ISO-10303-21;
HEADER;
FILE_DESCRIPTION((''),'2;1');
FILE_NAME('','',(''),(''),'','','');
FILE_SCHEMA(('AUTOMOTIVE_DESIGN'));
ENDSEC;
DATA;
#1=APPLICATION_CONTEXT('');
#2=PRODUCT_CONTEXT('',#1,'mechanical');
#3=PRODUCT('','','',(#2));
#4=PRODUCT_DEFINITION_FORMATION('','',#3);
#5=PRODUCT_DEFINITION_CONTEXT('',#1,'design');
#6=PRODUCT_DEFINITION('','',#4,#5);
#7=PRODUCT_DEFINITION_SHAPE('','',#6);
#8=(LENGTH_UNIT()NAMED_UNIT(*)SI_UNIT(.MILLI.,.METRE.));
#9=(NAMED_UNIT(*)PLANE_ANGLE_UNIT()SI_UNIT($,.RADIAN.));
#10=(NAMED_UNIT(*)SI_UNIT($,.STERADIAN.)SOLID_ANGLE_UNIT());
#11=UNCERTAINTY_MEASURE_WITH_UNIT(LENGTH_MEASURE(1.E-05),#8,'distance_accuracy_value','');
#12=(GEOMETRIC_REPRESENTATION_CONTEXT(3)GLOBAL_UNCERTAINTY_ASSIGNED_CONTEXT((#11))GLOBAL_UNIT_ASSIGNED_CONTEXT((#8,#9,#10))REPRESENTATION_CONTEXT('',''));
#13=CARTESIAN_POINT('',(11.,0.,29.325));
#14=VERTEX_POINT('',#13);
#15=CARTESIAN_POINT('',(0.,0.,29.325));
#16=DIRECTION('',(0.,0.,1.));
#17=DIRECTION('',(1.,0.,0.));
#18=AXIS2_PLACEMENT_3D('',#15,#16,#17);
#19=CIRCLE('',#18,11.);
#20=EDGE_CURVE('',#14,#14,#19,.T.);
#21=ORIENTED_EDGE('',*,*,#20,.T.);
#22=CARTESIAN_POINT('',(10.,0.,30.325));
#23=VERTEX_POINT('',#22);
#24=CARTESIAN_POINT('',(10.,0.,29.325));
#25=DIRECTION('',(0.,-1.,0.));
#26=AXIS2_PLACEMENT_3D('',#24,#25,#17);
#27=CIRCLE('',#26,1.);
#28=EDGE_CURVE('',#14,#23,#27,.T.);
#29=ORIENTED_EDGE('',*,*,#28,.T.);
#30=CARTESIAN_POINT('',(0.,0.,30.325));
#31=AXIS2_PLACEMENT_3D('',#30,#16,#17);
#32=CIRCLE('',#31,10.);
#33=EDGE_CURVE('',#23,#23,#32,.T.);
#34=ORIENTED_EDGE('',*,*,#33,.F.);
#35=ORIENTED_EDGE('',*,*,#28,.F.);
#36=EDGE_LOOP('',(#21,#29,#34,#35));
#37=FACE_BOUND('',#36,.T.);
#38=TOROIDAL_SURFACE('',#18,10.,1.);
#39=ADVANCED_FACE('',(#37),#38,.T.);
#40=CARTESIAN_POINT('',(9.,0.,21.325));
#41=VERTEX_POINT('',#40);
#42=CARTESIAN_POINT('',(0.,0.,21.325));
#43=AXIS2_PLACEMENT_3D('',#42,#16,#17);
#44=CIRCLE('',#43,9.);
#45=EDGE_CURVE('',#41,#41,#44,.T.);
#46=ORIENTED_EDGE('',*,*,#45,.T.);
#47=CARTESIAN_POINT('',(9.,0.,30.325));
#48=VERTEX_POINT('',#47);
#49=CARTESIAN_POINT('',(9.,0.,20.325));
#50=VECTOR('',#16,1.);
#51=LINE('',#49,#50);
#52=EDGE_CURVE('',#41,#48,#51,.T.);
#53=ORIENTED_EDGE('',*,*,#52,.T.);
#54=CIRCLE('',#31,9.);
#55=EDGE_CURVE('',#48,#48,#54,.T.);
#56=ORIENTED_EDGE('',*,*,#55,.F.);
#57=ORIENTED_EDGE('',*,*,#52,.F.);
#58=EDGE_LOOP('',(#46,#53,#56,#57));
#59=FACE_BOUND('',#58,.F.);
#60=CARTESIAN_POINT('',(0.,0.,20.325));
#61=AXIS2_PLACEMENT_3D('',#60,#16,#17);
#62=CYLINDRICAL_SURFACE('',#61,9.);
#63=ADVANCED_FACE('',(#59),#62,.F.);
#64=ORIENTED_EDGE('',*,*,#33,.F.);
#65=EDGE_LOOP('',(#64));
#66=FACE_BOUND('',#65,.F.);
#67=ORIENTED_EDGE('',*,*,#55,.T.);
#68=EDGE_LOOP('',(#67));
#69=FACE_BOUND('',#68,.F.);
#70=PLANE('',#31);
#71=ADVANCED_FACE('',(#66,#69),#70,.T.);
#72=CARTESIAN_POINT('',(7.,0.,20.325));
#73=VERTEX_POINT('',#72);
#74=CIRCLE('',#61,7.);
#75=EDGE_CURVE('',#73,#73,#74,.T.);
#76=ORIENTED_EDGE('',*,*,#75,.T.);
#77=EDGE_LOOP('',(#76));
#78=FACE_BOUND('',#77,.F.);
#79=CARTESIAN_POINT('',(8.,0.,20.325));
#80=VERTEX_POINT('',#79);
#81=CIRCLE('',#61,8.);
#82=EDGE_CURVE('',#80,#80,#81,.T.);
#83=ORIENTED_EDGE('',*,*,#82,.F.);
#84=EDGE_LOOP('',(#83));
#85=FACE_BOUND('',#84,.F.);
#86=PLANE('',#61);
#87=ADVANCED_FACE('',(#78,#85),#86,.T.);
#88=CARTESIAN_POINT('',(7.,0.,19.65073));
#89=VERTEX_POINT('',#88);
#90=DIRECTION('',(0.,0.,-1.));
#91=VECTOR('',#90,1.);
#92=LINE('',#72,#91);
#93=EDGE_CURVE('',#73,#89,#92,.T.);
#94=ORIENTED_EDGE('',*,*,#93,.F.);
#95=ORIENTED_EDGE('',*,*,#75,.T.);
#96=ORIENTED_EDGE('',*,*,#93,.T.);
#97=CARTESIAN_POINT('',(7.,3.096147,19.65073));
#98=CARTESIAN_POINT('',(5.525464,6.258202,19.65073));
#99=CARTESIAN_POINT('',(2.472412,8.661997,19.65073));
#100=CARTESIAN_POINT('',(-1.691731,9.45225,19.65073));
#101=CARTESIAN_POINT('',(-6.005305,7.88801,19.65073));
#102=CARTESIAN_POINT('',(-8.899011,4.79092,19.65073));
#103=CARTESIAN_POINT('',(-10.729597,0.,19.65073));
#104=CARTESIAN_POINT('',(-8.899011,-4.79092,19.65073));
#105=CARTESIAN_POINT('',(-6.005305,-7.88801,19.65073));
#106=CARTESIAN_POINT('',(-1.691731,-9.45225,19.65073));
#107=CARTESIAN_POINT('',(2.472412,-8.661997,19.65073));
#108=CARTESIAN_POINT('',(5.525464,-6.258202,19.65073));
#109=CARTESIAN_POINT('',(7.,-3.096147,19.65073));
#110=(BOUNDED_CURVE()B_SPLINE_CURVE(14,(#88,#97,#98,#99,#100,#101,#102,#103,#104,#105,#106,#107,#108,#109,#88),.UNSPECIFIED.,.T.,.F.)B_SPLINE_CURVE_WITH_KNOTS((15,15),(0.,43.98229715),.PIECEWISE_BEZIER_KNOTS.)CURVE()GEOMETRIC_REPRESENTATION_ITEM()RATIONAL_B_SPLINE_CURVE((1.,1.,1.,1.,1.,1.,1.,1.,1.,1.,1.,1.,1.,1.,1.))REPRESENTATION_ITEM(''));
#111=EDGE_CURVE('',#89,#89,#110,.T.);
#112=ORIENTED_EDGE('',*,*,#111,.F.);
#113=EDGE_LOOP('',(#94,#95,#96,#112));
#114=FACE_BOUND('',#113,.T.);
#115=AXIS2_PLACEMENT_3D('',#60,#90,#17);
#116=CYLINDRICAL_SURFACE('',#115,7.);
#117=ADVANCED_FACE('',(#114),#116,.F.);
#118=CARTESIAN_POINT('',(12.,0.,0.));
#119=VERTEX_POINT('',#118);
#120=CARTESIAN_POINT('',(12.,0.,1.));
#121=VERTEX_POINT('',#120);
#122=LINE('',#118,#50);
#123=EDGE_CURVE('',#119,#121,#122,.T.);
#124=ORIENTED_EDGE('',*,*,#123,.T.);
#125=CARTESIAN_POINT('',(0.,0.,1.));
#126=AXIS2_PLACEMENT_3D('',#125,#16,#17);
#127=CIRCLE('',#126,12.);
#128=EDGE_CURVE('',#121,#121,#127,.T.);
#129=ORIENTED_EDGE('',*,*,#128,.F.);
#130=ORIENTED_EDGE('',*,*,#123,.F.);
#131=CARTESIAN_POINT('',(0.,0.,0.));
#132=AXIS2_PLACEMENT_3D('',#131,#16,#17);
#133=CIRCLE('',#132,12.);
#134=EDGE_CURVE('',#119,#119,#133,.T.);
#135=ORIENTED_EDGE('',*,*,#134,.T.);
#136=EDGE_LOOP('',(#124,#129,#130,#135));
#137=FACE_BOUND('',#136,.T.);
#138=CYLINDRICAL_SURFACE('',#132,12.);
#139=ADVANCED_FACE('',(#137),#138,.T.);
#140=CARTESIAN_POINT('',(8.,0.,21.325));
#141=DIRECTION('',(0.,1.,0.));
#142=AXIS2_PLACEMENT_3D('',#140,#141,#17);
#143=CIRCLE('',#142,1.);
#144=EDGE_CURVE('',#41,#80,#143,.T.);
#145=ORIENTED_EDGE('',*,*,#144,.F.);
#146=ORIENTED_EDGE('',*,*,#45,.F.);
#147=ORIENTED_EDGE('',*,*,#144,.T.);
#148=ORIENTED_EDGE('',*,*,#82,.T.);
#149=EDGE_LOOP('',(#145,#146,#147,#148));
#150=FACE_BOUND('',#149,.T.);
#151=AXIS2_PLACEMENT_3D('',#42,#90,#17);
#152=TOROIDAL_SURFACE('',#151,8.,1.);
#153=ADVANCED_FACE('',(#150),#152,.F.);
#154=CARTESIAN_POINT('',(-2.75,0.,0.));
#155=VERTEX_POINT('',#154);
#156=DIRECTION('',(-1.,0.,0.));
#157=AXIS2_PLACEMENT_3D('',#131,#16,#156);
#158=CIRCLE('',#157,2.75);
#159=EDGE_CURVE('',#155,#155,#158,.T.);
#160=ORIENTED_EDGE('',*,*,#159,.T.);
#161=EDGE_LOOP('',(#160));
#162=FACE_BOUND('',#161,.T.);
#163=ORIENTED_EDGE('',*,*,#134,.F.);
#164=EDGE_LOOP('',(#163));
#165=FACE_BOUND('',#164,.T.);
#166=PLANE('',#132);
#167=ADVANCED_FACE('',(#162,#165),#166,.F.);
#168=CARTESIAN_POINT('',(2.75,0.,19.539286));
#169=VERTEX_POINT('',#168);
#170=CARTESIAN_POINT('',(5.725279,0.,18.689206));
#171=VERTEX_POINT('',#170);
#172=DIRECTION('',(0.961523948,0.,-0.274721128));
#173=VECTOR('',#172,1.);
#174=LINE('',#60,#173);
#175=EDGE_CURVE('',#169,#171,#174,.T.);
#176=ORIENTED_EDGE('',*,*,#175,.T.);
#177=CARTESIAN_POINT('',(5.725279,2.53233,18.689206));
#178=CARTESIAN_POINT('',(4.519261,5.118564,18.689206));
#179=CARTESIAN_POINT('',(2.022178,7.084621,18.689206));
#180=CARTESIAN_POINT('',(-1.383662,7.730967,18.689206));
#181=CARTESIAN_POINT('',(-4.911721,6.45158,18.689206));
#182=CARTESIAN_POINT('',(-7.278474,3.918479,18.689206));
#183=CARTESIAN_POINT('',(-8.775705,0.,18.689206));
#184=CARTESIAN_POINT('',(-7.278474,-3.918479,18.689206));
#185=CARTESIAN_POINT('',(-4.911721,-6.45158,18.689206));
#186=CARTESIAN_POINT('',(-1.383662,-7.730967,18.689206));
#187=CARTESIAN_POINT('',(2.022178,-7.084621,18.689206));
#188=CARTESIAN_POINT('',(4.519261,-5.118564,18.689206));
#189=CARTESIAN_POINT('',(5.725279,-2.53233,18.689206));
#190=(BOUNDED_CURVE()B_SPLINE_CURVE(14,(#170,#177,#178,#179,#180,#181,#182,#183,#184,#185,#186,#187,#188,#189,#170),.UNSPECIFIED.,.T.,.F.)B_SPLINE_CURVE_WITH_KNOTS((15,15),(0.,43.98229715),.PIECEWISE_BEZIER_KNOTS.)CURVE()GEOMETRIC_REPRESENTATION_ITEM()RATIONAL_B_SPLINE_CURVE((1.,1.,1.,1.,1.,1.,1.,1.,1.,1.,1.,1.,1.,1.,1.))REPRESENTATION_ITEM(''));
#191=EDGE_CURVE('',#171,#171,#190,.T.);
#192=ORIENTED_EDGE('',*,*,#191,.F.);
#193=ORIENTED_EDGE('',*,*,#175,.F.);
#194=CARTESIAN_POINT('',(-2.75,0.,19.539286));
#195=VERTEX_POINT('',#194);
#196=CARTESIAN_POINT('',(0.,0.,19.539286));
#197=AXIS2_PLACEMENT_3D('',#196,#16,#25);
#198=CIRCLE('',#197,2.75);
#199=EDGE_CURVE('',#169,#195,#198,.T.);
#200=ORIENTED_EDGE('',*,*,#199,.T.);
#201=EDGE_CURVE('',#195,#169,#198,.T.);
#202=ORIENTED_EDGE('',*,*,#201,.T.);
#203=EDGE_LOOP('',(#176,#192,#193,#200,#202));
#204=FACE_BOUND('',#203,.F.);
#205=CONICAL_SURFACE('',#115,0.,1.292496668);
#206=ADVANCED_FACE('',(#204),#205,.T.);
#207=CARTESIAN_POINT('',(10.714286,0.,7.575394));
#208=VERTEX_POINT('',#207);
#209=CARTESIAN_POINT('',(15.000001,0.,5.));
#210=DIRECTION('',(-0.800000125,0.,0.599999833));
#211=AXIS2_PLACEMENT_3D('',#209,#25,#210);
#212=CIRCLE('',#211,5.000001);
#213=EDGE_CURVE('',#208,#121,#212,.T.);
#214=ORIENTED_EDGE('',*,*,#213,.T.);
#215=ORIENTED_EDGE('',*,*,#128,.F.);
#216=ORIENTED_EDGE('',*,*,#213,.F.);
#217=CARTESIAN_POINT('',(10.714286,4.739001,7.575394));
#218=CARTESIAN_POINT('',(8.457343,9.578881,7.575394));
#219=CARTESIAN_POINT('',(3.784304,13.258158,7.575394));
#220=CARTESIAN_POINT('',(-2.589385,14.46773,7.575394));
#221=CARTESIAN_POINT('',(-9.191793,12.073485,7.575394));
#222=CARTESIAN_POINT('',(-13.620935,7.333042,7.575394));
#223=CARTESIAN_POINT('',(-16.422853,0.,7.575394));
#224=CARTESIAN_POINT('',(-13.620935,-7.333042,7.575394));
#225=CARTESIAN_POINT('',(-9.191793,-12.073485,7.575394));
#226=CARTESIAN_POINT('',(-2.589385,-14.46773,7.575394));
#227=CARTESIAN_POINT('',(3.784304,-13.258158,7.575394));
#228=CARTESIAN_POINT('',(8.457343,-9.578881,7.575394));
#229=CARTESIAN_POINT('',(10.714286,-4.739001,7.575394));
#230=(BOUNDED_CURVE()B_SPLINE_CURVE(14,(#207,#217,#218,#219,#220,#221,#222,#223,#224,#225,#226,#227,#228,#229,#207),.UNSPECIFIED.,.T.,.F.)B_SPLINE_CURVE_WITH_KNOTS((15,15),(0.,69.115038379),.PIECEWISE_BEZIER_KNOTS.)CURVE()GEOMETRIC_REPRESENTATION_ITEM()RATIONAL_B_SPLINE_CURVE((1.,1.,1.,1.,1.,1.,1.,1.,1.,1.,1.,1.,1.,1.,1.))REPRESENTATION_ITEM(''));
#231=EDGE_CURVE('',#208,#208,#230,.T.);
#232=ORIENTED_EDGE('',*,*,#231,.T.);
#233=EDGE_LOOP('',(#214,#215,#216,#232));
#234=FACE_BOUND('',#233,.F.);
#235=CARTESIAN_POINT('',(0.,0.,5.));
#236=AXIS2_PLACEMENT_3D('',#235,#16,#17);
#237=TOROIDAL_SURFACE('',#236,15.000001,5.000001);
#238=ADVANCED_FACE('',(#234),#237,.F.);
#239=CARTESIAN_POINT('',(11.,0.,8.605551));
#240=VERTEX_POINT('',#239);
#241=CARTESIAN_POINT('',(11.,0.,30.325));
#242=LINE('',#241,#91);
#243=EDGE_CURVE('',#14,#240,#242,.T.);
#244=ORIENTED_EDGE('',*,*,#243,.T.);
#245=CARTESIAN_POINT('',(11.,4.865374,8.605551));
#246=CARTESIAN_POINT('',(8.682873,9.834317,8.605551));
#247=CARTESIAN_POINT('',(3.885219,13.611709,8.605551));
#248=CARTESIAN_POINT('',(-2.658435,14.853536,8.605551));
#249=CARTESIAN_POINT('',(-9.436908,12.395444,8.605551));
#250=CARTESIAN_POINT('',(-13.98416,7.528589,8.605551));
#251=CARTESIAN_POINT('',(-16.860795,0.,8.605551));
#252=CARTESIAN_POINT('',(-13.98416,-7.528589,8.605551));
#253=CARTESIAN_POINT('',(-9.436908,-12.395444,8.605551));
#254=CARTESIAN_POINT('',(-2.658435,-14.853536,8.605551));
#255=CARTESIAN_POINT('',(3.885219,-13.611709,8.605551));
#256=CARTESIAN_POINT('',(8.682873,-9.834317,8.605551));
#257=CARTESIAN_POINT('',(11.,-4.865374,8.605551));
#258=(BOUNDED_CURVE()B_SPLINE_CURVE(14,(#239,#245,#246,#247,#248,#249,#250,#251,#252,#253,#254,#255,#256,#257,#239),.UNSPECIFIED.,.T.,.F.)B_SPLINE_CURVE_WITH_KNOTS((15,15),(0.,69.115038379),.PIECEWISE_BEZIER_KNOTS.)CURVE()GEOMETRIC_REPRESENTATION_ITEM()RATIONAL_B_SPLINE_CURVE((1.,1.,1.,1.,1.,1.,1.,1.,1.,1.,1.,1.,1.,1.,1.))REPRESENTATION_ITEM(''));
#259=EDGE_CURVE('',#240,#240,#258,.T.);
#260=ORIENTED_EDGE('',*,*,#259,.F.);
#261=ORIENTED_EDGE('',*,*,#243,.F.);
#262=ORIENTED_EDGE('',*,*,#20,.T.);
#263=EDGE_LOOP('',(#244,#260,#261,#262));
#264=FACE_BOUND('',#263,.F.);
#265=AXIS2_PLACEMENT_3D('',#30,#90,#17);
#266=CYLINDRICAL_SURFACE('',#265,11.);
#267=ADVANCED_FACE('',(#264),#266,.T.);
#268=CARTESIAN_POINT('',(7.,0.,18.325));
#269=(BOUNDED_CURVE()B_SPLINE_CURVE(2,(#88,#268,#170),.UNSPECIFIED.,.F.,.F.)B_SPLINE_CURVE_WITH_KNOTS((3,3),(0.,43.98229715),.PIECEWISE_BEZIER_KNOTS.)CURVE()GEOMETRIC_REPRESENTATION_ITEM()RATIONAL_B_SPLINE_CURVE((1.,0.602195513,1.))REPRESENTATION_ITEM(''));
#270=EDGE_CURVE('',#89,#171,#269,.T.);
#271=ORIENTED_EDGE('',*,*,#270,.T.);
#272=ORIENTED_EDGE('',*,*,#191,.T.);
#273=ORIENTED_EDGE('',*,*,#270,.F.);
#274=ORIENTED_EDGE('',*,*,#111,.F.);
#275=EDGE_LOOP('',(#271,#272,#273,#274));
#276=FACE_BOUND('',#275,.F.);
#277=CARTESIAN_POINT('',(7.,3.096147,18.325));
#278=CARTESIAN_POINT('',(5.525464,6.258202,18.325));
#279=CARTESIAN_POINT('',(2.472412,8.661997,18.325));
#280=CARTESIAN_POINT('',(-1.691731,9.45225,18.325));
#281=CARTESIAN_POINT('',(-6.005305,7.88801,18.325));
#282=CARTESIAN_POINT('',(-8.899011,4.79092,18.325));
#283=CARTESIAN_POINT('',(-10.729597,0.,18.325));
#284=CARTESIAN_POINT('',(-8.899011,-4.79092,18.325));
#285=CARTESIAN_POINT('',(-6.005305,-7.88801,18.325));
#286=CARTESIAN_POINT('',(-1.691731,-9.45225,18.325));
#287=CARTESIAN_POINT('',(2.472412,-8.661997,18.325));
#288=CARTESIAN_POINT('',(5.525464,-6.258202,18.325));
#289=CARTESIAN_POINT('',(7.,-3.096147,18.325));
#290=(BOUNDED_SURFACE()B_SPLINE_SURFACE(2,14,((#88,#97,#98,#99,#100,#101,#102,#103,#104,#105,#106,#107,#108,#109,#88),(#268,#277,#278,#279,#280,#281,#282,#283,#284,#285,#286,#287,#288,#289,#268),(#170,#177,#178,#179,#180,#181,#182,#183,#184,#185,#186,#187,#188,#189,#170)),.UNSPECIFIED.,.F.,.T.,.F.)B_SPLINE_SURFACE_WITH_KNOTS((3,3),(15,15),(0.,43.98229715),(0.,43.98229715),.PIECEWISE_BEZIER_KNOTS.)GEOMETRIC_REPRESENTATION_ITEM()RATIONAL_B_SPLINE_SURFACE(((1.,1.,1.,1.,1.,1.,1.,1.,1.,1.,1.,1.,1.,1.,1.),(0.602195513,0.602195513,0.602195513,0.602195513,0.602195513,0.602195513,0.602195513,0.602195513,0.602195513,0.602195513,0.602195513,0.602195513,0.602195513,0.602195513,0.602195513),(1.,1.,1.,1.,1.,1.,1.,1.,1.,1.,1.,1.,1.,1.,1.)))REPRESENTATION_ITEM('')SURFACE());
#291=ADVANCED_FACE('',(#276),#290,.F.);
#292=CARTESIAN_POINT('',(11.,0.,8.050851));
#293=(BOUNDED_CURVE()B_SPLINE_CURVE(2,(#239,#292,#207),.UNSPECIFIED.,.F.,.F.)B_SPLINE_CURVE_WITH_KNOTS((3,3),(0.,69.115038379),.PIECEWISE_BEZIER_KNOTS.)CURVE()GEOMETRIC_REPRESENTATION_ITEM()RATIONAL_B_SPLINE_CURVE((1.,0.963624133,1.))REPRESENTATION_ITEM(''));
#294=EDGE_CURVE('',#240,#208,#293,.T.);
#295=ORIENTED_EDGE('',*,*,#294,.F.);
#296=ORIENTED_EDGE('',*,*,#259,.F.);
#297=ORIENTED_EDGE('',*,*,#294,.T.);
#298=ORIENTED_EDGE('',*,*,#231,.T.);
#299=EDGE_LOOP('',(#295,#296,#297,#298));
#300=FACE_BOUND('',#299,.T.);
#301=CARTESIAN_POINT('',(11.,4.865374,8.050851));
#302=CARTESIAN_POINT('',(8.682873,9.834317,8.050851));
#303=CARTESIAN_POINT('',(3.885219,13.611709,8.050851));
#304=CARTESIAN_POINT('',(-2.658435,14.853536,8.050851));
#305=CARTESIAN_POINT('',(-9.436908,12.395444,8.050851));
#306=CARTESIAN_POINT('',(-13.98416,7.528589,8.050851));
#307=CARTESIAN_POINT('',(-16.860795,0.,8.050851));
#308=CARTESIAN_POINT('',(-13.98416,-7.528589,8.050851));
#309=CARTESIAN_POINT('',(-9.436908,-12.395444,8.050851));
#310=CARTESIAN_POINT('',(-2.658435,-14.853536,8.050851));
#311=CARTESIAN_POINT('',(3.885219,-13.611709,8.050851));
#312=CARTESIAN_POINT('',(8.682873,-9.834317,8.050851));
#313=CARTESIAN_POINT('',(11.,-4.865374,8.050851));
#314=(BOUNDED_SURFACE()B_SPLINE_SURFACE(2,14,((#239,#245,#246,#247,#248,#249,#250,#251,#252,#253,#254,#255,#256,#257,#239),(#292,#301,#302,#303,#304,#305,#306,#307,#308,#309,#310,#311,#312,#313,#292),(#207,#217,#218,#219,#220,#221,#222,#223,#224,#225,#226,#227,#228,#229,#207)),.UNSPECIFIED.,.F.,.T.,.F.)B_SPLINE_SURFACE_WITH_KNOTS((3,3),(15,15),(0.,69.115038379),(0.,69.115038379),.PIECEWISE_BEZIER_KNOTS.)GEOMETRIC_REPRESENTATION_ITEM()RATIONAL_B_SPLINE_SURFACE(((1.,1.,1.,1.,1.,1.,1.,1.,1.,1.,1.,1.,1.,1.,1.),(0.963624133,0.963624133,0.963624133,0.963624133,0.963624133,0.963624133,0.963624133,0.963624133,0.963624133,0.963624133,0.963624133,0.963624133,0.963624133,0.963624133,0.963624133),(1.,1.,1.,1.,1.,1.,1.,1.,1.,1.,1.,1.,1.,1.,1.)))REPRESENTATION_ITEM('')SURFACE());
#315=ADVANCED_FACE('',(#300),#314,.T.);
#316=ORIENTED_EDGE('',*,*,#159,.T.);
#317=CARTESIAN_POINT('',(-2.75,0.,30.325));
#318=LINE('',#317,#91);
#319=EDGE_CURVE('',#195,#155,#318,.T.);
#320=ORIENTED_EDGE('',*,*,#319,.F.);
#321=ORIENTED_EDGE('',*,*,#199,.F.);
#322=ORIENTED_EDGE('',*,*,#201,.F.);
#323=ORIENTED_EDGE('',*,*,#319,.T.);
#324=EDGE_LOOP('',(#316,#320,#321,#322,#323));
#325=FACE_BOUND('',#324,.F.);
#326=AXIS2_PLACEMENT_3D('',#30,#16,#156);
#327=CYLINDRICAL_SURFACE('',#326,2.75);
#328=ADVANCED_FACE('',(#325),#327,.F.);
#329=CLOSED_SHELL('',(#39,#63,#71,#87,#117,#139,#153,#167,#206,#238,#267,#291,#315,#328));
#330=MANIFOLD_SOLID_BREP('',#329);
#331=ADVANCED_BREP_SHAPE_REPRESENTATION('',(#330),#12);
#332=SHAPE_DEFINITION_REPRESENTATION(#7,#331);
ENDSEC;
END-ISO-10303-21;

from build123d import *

# Parameters (mm, degrees)
FILLET001_R  = 1
SKETCH010_R  = 2.75
POCKET_DEPTH = 30.326
FILLET002_R  = 2


with BuildPart() as part:
    # Sketch → Revolution (revolve)
    with BuildSketch(Plane.XZ):
        with BuildLine():
            Line((0, 0), (12, 0))
            Line((12, 0), (12, 1))
            ThreePointArc((11, 8), (10.050253, 4.292893), (12, 1))
            Line((11, 30.325), (11, 8))
            Line((9, 30.325), (11, 30.325))
            Line((9, 20.325), (9, 30.325))
            Line((7, 20.325), (9, 20.325))
            Line((7, 20.325), (7, 18.325))
            Line((0, 20.325), (7, 18.325))
            Line((0, 0), (0, 20.325))
        make_face()
    revolve(axis=Axis((0, 0, 0), (0, 0, 1)))

    # Fillet001
    fillet001_edges = [part.edges().sort_by_distance(p)[0] for p in [
        (-11, 0, 30.325),
        (-7, 0, 18.325),
        (-9, 0, 20.325),
    ]]
    fillet(fillet001_edges, radius=FILLET001_R)

    # Sketch010 (on Face4 of Fillet001) → Pocket (cut, through all)
    with BuildSketch(Plane(origin=(0, 0, 30.325), x_dir=(-1, 0, 0), z_dir=(0, 0, 1))):
        Circle(SKETCH010_R)
    extrude(amount=-POCKET_DEPTH, mode=Mode.SUBTRACT)

    # Fillet002
    fillet002_edges = [part.edges().sort_by_distance(p)[0] for p in [
        (-11, 0, 8),
    ]]
    fillet(fillet002_edges, radius=FILLET002_R)


solid = part.part
